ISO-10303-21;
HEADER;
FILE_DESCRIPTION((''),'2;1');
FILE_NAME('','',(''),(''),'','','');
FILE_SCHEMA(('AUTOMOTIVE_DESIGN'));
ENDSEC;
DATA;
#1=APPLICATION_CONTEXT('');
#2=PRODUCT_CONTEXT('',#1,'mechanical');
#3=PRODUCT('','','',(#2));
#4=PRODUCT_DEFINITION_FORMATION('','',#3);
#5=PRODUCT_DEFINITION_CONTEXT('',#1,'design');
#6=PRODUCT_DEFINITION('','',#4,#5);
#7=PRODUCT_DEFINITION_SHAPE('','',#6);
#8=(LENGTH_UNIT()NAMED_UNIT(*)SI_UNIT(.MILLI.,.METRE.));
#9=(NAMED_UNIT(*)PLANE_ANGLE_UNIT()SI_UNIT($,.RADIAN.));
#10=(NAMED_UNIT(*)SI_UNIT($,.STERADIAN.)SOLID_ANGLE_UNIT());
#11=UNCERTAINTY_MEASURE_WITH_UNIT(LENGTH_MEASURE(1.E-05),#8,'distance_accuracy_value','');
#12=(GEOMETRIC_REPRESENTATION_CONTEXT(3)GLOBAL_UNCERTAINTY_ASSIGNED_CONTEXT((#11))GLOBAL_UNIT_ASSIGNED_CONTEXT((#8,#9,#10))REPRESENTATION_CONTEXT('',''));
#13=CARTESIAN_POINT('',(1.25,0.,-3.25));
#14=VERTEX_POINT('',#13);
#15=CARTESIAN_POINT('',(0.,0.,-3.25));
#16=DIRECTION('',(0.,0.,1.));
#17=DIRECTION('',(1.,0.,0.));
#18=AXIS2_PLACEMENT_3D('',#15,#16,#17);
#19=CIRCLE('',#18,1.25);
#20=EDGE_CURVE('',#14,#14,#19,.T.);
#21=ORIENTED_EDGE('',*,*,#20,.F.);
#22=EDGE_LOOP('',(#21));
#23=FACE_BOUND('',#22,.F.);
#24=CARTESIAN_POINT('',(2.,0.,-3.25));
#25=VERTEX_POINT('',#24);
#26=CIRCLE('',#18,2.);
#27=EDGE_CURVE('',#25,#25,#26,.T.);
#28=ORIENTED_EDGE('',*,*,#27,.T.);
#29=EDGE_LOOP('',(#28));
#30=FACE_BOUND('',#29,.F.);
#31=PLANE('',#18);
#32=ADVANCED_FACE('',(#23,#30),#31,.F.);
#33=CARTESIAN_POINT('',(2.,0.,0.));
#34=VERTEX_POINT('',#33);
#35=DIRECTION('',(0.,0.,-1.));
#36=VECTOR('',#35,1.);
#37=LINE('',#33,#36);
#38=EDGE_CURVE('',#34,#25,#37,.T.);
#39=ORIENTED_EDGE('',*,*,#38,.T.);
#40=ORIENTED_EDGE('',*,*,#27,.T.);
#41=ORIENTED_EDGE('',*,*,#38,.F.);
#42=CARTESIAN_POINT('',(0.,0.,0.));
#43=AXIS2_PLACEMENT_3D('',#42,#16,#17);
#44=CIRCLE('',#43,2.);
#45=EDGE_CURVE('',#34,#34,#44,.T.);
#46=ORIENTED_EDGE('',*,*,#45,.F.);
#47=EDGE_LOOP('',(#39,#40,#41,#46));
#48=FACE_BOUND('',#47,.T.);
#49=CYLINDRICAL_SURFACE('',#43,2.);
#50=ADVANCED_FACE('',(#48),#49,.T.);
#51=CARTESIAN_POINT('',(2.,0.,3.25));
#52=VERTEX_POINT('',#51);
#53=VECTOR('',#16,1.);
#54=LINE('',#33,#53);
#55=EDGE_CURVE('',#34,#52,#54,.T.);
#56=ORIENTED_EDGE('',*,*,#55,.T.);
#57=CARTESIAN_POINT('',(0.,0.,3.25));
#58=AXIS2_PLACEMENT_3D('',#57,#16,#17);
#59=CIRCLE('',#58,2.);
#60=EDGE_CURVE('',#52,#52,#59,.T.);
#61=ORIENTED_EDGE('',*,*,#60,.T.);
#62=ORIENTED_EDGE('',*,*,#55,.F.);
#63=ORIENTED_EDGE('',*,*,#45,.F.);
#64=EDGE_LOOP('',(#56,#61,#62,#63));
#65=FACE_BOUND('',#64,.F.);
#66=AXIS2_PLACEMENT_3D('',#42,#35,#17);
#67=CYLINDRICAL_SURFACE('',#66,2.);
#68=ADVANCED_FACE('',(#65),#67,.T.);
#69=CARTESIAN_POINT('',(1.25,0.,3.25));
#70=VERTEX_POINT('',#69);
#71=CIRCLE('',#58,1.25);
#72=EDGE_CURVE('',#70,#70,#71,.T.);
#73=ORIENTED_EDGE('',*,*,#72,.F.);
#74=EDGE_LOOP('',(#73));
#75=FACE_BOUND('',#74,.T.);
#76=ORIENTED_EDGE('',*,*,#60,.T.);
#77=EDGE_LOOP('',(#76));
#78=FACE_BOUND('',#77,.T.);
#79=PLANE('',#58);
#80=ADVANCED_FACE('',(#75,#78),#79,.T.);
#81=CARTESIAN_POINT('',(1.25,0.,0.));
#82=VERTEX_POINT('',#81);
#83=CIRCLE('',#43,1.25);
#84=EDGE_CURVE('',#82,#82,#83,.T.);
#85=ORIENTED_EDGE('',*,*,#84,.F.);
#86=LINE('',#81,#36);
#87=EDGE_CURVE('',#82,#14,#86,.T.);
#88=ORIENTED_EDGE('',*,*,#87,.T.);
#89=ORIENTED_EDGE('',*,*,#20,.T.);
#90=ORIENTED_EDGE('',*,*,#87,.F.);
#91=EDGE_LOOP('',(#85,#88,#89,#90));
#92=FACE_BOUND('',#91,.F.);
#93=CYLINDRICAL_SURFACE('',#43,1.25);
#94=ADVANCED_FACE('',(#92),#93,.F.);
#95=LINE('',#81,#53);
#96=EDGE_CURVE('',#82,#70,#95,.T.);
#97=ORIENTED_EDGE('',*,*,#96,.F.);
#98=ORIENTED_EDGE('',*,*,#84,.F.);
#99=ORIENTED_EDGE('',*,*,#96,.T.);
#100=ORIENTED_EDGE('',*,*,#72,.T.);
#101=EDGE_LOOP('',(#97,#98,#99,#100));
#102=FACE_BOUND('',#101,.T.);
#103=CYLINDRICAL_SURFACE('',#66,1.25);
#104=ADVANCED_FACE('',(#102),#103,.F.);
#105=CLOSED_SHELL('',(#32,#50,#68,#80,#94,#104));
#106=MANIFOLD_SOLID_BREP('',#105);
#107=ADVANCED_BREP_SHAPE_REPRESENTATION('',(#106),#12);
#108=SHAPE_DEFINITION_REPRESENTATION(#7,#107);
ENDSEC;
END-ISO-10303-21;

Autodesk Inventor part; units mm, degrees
ref_plane "YZ Plane" through (0, 0, 0) normal (1, 0, 0) x (0, 1, 0)
ref_plane "XZ Plane" through (0, 0, 0) normal (0, 1, 0) x (-1, 0, 0)
ref_plane "XY Plane" through (0, 0, 0) normal (0, 0, 1) x (1, 0, 0)
sketch "Sketch2" plane through (0, 0, 0) normal (0, 0, 1) x (1, 0, 0)
  circle A0 centre (0, 0) radius 1.25
  circle A1 centre (0, 0) radius 2
  dimension "d44" = 2.5
  dimension "d51" = 4
extrude "Extrusion8" add sketch "Sketch2" along normal mid plane 6.5
properties part number "link7" material "Aluminum 6061"
